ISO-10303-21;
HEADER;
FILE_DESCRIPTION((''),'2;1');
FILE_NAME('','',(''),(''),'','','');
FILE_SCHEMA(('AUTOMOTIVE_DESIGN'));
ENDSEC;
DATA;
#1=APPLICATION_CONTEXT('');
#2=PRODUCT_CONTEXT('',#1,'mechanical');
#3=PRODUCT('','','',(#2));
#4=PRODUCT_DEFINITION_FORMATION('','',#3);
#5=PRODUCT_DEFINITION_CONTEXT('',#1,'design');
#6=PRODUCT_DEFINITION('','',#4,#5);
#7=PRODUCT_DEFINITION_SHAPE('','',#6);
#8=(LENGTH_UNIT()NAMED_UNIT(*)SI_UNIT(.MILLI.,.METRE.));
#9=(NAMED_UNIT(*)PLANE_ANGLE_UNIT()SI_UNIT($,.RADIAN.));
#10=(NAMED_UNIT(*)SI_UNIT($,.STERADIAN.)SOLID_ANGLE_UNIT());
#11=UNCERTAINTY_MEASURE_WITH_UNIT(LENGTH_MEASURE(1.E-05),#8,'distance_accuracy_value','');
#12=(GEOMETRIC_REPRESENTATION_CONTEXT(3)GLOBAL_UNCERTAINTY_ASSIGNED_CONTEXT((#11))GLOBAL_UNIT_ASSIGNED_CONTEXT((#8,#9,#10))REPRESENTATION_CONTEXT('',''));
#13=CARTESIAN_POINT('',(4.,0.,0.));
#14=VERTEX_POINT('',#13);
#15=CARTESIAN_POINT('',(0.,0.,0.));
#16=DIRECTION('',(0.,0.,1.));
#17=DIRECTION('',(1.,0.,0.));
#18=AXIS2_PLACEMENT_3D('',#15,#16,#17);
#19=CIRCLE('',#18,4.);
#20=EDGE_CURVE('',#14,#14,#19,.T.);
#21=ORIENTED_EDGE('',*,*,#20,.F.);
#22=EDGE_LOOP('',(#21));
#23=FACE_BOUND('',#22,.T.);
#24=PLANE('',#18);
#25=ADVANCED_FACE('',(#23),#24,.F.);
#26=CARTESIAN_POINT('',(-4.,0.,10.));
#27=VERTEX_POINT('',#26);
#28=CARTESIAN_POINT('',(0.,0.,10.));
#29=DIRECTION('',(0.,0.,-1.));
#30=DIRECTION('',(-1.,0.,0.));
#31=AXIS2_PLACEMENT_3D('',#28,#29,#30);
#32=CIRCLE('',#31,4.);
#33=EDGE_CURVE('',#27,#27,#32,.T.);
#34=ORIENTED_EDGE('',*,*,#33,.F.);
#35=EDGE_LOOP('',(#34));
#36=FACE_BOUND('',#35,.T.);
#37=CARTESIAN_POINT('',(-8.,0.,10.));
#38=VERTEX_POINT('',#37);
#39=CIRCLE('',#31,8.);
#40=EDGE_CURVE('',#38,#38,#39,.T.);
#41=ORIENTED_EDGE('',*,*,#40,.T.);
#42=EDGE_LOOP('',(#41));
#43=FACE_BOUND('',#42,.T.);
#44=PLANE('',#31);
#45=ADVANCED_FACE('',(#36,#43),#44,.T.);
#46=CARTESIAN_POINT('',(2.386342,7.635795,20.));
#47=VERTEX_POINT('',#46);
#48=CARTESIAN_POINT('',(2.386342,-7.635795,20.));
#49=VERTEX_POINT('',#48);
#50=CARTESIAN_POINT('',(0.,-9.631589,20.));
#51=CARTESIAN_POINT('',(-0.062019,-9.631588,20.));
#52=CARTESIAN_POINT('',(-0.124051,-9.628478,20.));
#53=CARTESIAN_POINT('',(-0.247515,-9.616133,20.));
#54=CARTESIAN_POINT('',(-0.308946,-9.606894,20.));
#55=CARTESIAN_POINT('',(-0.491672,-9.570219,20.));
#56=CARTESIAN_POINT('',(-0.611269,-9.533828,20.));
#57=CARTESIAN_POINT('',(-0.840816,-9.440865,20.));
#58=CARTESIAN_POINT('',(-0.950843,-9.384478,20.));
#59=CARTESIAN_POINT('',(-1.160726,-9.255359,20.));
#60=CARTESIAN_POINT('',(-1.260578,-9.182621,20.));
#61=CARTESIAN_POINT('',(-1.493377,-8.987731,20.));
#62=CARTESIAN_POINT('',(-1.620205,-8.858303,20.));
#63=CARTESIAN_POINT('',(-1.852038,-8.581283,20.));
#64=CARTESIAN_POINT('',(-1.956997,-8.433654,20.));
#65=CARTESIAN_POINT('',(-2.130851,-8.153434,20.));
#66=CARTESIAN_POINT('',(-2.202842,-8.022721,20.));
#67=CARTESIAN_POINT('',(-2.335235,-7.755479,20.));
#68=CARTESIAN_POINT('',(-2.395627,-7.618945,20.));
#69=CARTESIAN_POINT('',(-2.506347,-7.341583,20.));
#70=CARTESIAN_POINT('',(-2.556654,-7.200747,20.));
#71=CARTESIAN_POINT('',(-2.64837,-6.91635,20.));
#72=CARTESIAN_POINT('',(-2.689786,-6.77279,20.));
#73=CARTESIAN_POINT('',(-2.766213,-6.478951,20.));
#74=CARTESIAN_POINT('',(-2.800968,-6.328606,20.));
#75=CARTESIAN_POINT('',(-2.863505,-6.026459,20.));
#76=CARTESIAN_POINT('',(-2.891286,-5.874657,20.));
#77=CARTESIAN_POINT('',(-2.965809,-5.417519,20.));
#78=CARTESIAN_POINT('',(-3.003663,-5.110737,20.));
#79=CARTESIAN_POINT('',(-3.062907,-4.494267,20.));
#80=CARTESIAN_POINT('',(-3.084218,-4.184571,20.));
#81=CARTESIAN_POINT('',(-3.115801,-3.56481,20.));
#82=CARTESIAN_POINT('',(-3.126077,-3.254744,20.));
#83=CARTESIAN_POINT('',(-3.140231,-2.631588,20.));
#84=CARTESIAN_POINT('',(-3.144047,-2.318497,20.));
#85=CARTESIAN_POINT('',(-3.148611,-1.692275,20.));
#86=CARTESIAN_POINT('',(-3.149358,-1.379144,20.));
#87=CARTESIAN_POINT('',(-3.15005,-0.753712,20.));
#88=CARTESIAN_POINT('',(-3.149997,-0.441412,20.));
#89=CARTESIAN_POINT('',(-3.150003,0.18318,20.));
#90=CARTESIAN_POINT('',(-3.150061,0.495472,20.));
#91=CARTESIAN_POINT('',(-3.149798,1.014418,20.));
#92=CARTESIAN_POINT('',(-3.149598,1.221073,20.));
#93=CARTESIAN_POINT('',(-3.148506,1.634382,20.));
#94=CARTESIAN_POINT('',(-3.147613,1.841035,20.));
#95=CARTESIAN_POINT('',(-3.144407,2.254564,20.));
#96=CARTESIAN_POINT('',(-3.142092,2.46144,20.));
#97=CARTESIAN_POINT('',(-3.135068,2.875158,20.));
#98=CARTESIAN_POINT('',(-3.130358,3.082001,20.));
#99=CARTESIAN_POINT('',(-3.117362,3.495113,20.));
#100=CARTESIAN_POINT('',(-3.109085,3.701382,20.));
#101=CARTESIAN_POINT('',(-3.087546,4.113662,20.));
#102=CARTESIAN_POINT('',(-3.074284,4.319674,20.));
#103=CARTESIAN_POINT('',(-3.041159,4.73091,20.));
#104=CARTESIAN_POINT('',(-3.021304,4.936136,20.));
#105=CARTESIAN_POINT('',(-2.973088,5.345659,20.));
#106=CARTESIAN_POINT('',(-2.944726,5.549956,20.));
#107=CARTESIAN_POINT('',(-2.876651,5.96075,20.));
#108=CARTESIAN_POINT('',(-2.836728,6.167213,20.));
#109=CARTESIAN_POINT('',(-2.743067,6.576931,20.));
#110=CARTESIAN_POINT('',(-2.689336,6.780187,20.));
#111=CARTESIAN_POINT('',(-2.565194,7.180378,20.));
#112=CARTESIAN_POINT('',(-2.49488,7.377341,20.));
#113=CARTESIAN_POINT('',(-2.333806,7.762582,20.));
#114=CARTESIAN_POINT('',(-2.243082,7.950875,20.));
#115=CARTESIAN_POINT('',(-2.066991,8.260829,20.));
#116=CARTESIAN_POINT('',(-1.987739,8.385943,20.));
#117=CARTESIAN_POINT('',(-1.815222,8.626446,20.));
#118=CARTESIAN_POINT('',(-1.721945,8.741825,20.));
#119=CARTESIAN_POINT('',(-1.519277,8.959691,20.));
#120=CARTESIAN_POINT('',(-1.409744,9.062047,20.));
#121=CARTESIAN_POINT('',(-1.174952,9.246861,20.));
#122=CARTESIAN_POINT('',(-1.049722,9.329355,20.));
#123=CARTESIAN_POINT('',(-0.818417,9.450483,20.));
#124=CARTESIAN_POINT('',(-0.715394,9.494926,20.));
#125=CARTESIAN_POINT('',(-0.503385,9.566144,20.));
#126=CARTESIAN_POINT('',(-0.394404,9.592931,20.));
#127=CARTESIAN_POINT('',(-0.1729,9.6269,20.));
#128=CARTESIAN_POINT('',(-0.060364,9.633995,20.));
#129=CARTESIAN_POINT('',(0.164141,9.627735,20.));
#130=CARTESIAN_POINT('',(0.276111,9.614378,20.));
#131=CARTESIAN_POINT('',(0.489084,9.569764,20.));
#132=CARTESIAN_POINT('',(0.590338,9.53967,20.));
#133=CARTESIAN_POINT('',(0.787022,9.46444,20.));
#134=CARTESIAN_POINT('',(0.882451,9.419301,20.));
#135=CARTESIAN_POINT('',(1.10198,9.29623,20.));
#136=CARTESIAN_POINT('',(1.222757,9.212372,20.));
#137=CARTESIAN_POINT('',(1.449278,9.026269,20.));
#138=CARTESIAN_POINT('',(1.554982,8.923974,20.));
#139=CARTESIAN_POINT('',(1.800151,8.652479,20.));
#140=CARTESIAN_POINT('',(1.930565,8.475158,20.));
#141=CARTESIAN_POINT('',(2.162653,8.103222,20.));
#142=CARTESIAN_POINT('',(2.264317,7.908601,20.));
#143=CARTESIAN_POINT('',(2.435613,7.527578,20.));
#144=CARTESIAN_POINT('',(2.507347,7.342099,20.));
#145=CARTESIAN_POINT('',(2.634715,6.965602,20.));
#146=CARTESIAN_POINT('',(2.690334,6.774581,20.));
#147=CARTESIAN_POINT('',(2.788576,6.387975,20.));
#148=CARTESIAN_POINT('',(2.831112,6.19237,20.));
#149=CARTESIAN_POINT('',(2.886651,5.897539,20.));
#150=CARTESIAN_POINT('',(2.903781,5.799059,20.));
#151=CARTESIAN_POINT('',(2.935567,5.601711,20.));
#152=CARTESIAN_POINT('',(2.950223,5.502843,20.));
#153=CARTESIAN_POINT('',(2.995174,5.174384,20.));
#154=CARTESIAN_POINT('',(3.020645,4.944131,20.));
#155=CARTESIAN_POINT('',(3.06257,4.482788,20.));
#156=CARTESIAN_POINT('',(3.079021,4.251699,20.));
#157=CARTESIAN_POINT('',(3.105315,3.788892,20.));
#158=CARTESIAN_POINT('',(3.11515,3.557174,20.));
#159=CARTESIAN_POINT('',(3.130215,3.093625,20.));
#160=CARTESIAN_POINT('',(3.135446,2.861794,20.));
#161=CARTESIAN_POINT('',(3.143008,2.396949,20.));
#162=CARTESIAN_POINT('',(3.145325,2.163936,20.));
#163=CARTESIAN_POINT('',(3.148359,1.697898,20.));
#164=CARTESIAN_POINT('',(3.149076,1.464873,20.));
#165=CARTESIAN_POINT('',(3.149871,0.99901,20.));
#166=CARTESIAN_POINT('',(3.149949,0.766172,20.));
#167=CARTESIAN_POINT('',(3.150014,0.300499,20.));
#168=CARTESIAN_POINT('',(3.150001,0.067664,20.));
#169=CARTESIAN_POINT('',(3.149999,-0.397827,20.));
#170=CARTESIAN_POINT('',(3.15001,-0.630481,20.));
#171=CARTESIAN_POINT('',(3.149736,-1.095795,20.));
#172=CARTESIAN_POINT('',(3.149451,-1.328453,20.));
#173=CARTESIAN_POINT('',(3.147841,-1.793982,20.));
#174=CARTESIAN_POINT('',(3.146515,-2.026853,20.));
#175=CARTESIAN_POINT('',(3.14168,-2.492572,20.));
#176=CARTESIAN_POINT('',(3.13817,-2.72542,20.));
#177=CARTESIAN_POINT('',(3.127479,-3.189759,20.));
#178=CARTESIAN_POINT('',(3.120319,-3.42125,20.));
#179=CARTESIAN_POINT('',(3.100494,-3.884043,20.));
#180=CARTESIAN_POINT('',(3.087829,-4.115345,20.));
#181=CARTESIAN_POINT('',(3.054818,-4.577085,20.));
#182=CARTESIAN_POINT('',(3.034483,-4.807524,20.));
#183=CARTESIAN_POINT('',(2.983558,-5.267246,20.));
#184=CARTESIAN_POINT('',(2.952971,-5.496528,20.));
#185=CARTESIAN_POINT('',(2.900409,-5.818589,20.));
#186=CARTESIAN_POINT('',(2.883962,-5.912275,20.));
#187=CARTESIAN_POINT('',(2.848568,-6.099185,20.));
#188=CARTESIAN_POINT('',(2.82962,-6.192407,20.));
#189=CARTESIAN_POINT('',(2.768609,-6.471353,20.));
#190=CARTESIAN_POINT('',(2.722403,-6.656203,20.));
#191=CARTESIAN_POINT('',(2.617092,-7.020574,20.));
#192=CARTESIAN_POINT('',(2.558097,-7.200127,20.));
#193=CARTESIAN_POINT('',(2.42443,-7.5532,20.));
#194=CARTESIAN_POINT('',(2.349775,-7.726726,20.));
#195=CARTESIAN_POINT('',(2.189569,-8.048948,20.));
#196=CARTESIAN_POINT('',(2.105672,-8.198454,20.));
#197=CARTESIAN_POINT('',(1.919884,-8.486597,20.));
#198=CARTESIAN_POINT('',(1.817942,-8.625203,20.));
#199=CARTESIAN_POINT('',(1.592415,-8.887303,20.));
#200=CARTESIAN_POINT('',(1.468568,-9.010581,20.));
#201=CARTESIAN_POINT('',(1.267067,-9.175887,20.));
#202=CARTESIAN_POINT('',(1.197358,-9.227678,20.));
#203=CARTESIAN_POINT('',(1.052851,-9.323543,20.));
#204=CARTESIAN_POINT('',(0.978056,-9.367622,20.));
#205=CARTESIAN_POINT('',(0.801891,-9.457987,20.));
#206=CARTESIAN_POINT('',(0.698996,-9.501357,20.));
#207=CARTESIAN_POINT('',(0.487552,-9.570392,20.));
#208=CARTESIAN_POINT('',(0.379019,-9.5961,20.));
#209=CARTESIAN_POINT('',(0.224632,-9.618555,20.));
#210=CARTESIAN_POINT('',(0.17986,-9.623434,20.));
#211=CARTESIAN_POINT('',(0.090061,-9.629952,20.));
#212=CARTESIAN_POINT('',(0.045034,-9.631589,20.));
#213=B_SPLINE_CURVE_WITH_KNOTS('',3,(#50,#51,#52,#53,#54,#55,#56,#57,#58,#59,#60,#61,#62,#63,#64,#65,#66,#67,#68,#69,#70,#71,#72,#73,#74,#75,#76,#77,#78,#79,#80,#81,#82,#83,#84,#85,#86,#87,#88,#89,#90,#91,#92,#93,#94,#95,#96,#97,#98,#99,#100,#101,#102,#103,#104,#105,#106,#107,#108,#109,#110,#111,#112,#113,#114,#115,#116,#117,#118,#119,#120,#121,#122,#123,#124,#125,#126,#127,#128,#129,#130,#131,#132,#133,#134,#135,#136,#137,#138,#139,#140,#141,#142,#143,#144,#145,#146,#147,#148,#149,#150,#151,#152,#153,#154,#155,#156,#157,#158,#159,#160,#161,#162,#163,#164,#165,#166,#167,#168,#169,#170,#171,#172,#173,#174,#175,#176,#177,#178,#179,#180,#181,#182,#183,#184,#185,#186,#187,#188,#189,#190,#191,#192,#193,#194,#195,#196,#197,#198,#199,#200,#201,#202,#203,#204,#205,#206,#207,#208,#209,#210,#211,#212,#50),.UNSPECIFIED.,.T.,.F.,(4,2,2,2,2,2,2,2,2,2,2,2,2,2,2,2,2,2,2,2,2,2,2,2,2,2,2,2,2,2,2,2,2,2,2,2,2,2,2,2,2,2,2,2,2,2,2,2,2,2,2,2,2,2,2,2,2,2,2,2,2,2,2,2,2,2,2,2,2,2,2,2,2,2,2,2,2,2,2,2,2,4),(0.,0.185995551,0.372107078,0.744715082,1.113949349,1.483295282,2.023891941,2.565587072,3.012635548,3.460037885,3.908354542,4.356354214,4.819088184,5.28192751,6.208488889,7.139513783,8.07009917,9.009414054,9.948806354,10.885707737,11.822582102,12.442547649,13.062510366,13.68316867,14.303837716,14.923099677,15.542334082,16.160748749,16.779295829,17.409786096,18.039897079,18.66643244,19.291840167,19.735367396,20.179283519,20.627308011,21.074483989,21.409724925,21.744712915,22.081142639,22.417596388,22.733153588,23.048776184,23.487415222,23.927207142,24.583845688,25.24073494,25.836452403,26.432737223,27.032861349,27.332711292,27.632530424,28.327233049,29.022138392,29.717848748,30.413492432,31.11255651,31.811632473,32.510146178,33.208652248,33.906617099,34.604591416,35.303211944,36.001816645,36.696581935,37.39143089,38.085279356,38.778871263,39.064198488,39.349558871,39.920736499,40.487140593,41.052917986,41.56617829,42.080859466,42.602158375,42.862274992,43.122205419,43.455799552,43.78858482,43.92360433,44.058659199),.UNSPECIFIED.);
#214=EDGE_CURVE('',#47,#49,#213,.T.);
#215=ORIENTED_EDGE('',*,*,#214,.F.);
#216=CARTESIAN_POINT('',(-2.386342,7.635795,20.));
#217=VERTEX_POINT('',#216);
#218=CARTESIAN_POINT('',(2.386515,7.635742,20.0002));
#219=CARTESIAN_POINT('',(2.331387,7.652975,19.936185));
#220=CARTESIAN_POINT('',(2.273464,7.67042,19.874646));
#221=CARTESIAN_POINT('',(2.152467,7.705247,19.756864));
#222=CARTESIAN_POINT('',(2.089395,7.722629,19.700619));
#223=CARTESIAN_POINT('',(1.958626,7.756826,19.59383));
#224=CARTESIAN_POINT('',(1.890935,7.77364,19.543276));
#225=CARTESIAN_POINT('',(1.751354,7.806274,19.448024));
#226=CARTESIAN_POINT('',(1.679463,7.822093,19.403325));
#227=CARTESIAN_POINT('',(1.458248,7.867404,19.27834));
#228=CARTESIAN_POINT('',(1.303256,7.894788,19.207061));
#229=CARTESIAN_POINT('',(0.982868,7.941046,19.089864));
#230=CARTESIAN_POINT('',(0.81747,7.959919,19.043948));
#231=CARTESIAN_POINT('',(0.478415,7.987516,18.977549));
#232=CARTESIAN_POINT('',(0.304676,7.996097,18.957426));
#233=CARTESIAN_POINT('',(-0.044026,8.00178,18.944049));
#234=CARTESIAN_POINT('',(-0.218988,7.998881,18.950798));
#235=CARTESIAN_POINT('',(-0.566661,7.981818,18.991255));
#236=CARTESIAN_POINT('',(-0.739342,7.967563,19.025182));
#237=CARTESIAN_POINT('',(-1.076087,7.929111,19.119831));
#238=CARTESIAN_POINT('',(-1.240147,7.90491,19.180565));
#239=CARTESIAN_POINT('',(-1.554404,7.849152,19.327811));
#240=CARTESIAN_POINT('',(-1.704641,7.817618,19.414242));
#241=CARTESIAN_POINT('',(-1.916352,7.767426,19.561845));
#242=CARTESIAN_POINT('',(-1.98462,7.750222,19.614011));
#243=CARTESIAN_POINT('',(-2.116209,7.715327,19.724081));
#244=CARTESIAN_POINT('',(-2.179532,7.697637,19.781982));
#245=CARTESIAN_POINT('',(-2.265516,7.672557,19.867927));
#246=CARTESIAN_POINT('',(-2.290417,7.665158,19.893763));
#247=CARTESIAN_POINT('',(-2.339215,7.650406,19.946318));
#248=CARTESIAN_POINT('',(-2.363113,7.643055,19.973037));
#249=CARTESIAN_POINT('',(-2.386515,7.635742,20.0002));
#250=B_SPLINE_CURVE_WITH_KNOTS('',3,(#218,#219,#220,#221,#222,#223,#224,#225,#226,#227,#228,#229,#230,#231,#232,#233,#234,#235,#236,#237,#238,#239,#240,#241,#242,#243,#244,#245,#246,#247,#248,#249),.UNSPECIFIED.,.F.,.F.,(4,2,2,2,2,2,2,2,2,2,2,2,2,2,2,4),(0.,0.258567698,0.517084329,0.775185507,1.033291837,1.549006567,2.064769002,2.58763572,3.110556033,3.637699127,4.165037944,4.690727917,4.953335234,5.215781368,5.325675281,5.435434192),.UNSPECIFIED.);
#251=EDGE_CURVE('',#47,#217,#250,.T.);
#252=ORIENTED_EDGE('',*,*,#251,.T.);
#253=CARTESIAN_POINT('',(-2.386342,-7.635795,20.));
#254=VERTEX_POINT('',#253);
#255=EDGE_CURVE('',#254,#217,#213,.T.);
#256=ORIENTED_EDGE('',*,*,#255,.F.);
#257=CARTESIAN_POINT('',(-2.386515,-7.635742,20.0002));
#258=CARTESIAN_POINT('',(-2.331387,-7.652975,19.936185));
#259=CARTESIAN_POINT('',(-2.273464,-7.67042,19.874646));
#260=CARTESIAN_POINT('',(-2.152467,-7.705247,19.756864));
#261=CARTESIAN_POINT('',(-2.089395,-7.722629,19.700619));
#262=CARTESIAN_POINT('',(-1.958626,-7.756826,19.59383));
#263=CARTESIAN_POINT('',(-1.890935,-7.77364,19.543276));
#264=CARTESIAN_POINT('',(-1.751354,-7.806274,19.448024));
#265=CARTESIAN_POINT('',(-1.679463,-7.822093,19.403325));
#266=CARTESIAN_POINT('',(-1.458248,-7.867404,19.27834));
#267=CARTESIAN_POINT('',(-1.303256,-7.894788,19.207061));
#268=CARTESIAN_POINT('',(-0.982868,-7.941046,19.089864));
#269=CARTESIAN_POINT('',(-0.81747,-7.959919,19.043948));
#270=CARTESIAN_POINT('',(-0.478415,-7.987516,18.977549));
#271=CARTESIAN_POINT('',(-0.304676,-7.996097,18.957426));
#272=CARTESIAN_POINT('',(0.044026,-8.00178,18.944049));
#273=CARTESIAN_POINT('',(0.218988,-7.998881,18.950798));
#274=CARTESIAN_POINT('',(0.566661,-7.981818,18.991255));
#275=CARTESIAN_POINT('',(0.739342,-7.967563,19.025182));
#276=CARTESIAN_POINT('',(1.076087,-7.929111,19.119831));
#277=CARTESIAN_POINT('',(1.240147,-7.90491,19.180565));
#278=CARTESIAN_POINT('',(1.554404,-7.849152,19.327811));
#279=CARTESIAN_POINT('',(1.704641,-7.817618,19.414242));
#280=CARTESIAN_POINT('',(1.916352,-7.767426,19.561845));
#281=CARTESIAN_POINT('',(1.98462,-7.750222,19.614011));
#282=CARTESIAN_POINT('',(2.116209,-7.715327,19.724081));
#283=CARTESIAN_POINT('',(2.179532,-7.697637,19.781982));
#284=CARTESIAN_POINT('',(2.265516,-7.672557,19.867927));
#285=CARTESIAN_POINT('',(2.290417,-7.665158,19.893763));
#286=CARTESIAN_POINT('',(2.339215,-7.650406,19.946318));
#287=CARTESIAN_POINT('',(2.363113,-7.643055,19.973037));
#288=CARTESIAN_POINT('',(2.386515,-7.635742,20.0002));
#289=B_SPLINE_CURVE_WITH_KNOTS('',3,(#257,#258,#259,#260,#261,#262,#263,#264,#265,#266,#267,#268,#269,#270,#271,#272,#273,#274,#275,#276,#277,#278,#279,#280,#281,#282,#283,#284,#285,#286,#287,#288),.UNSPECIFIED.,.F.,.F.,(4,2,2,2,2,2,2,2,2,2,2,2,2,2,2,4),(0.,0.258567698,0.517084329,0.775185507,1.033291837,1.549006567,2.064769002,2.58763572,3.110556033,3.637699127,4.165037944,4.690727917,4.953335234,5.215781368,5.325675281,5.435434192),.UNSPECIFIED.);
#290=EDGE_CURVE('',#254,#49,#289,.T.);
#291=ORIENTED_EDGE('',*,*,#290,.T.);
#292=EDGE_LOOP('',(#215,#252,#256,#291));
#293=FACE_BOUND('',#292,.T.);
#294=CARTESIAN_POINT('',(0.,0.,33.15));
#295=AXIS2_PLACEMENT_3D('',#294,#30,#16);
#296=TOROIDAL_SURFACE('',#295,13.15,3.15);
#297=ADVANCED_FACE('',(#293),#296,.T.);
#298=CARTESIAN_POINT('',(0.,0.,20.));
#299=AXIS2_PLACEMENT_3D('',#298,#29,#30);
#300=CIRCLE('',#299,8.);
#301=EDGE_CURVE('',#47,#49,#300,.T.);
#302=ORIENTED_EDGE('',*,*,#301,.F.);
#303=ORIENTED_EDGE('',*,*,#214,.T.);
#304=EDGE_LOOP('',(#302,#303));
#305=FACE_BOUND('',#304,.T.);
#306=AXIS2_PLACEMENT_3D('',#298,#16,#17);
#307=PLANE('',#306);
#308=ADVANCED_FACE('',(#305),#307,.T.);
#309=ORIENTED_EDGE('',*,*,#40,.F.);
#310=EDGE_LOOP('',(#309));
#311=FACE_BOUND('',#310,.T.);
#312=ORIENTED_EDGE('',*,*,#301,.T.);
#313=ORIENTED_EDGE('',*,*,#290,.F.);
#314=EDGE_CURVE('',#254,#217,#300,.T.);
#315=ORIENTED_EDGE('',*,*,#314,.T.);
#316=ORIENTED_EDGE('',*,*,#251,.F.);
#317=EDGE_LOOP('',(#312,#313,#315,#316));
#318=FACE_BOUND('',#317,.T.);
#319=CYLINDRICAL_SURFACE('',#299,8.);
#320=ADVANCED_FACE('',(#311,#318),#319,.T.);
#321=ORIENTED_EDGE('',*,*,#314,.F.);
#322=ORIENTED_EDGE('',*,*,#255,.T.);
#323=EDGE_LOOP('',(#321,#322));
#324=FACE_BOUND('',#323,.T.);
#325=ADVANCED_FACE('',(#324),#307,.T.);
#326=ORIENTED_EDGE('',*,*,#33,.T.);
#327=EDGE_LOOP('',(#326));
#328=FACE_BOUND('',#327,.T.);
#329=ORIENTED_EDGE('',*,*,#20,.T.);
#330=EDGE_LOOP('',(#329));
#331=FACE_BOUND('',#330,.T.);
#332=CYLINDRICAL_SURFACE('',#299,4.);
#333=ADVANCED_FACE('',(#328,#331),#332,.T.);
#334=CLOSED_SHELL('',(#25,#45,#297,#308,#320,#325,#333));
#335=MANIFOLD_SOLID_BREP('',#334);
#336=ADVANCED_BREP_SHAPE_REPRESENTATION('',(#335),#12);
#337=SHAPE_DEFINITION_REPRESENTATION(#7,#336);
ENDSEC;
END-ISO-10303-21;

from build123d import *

# Parameters (mm, degrees)
SKETCH_1_R      = 4
EXTRUDE_1_DEPTH = 20
SKETCH_2_R      = 3.15
SKETCH_4_R      = 8
EXTRUDE_2_DEPTH = 5


with BuildPart() as part:
    # ｽｹｯﾁ1 → ﾎﾞｽ - 押し出し1 (new body)
    with BuildSketch(Plane.XY):
        Circle(SKETCH_1_R)
    extrude(amount=EXTRUDE_1_DEPTH)

    # ｽｲｰﾌﾟ1: sweep along a path in ｽｹｯﾁ3
    with BuildLine(Plane(origin=(0, 0, 0), x_dir=(0, 0, -1), z_dir=(1, 0, 0))) as sweep_1_path:
        CenterArc((-33.15, 0), 13.15, 0, 360)
    # ｽｹｯﾁ2 → ｽｲｰﾌﾟ1 (sweep)
    with BuildSketch(Plane(origin=(0, 0, 0), x_dir=(1, 0, 0), z_dir=(0, 1, 0))):
        with Locations((0, -20)):
            Circle(SKETCH_2_R)
    sweep(path=sweep_1_path.line)

    # ｽｹｯﾁ4 → ﾎﾞｽ - 押し出し2 (add, symmetric)
    with BuildSketch(Plane(origin=(0, 0, 15), x_dir=(-1, 0, 0), z_dir=(0, 0, -1))):
        Circle(SKETCH_4_R)
    extrude(amount=EXTRUDE_2_DEPTH, both=True)


solid = part.part
